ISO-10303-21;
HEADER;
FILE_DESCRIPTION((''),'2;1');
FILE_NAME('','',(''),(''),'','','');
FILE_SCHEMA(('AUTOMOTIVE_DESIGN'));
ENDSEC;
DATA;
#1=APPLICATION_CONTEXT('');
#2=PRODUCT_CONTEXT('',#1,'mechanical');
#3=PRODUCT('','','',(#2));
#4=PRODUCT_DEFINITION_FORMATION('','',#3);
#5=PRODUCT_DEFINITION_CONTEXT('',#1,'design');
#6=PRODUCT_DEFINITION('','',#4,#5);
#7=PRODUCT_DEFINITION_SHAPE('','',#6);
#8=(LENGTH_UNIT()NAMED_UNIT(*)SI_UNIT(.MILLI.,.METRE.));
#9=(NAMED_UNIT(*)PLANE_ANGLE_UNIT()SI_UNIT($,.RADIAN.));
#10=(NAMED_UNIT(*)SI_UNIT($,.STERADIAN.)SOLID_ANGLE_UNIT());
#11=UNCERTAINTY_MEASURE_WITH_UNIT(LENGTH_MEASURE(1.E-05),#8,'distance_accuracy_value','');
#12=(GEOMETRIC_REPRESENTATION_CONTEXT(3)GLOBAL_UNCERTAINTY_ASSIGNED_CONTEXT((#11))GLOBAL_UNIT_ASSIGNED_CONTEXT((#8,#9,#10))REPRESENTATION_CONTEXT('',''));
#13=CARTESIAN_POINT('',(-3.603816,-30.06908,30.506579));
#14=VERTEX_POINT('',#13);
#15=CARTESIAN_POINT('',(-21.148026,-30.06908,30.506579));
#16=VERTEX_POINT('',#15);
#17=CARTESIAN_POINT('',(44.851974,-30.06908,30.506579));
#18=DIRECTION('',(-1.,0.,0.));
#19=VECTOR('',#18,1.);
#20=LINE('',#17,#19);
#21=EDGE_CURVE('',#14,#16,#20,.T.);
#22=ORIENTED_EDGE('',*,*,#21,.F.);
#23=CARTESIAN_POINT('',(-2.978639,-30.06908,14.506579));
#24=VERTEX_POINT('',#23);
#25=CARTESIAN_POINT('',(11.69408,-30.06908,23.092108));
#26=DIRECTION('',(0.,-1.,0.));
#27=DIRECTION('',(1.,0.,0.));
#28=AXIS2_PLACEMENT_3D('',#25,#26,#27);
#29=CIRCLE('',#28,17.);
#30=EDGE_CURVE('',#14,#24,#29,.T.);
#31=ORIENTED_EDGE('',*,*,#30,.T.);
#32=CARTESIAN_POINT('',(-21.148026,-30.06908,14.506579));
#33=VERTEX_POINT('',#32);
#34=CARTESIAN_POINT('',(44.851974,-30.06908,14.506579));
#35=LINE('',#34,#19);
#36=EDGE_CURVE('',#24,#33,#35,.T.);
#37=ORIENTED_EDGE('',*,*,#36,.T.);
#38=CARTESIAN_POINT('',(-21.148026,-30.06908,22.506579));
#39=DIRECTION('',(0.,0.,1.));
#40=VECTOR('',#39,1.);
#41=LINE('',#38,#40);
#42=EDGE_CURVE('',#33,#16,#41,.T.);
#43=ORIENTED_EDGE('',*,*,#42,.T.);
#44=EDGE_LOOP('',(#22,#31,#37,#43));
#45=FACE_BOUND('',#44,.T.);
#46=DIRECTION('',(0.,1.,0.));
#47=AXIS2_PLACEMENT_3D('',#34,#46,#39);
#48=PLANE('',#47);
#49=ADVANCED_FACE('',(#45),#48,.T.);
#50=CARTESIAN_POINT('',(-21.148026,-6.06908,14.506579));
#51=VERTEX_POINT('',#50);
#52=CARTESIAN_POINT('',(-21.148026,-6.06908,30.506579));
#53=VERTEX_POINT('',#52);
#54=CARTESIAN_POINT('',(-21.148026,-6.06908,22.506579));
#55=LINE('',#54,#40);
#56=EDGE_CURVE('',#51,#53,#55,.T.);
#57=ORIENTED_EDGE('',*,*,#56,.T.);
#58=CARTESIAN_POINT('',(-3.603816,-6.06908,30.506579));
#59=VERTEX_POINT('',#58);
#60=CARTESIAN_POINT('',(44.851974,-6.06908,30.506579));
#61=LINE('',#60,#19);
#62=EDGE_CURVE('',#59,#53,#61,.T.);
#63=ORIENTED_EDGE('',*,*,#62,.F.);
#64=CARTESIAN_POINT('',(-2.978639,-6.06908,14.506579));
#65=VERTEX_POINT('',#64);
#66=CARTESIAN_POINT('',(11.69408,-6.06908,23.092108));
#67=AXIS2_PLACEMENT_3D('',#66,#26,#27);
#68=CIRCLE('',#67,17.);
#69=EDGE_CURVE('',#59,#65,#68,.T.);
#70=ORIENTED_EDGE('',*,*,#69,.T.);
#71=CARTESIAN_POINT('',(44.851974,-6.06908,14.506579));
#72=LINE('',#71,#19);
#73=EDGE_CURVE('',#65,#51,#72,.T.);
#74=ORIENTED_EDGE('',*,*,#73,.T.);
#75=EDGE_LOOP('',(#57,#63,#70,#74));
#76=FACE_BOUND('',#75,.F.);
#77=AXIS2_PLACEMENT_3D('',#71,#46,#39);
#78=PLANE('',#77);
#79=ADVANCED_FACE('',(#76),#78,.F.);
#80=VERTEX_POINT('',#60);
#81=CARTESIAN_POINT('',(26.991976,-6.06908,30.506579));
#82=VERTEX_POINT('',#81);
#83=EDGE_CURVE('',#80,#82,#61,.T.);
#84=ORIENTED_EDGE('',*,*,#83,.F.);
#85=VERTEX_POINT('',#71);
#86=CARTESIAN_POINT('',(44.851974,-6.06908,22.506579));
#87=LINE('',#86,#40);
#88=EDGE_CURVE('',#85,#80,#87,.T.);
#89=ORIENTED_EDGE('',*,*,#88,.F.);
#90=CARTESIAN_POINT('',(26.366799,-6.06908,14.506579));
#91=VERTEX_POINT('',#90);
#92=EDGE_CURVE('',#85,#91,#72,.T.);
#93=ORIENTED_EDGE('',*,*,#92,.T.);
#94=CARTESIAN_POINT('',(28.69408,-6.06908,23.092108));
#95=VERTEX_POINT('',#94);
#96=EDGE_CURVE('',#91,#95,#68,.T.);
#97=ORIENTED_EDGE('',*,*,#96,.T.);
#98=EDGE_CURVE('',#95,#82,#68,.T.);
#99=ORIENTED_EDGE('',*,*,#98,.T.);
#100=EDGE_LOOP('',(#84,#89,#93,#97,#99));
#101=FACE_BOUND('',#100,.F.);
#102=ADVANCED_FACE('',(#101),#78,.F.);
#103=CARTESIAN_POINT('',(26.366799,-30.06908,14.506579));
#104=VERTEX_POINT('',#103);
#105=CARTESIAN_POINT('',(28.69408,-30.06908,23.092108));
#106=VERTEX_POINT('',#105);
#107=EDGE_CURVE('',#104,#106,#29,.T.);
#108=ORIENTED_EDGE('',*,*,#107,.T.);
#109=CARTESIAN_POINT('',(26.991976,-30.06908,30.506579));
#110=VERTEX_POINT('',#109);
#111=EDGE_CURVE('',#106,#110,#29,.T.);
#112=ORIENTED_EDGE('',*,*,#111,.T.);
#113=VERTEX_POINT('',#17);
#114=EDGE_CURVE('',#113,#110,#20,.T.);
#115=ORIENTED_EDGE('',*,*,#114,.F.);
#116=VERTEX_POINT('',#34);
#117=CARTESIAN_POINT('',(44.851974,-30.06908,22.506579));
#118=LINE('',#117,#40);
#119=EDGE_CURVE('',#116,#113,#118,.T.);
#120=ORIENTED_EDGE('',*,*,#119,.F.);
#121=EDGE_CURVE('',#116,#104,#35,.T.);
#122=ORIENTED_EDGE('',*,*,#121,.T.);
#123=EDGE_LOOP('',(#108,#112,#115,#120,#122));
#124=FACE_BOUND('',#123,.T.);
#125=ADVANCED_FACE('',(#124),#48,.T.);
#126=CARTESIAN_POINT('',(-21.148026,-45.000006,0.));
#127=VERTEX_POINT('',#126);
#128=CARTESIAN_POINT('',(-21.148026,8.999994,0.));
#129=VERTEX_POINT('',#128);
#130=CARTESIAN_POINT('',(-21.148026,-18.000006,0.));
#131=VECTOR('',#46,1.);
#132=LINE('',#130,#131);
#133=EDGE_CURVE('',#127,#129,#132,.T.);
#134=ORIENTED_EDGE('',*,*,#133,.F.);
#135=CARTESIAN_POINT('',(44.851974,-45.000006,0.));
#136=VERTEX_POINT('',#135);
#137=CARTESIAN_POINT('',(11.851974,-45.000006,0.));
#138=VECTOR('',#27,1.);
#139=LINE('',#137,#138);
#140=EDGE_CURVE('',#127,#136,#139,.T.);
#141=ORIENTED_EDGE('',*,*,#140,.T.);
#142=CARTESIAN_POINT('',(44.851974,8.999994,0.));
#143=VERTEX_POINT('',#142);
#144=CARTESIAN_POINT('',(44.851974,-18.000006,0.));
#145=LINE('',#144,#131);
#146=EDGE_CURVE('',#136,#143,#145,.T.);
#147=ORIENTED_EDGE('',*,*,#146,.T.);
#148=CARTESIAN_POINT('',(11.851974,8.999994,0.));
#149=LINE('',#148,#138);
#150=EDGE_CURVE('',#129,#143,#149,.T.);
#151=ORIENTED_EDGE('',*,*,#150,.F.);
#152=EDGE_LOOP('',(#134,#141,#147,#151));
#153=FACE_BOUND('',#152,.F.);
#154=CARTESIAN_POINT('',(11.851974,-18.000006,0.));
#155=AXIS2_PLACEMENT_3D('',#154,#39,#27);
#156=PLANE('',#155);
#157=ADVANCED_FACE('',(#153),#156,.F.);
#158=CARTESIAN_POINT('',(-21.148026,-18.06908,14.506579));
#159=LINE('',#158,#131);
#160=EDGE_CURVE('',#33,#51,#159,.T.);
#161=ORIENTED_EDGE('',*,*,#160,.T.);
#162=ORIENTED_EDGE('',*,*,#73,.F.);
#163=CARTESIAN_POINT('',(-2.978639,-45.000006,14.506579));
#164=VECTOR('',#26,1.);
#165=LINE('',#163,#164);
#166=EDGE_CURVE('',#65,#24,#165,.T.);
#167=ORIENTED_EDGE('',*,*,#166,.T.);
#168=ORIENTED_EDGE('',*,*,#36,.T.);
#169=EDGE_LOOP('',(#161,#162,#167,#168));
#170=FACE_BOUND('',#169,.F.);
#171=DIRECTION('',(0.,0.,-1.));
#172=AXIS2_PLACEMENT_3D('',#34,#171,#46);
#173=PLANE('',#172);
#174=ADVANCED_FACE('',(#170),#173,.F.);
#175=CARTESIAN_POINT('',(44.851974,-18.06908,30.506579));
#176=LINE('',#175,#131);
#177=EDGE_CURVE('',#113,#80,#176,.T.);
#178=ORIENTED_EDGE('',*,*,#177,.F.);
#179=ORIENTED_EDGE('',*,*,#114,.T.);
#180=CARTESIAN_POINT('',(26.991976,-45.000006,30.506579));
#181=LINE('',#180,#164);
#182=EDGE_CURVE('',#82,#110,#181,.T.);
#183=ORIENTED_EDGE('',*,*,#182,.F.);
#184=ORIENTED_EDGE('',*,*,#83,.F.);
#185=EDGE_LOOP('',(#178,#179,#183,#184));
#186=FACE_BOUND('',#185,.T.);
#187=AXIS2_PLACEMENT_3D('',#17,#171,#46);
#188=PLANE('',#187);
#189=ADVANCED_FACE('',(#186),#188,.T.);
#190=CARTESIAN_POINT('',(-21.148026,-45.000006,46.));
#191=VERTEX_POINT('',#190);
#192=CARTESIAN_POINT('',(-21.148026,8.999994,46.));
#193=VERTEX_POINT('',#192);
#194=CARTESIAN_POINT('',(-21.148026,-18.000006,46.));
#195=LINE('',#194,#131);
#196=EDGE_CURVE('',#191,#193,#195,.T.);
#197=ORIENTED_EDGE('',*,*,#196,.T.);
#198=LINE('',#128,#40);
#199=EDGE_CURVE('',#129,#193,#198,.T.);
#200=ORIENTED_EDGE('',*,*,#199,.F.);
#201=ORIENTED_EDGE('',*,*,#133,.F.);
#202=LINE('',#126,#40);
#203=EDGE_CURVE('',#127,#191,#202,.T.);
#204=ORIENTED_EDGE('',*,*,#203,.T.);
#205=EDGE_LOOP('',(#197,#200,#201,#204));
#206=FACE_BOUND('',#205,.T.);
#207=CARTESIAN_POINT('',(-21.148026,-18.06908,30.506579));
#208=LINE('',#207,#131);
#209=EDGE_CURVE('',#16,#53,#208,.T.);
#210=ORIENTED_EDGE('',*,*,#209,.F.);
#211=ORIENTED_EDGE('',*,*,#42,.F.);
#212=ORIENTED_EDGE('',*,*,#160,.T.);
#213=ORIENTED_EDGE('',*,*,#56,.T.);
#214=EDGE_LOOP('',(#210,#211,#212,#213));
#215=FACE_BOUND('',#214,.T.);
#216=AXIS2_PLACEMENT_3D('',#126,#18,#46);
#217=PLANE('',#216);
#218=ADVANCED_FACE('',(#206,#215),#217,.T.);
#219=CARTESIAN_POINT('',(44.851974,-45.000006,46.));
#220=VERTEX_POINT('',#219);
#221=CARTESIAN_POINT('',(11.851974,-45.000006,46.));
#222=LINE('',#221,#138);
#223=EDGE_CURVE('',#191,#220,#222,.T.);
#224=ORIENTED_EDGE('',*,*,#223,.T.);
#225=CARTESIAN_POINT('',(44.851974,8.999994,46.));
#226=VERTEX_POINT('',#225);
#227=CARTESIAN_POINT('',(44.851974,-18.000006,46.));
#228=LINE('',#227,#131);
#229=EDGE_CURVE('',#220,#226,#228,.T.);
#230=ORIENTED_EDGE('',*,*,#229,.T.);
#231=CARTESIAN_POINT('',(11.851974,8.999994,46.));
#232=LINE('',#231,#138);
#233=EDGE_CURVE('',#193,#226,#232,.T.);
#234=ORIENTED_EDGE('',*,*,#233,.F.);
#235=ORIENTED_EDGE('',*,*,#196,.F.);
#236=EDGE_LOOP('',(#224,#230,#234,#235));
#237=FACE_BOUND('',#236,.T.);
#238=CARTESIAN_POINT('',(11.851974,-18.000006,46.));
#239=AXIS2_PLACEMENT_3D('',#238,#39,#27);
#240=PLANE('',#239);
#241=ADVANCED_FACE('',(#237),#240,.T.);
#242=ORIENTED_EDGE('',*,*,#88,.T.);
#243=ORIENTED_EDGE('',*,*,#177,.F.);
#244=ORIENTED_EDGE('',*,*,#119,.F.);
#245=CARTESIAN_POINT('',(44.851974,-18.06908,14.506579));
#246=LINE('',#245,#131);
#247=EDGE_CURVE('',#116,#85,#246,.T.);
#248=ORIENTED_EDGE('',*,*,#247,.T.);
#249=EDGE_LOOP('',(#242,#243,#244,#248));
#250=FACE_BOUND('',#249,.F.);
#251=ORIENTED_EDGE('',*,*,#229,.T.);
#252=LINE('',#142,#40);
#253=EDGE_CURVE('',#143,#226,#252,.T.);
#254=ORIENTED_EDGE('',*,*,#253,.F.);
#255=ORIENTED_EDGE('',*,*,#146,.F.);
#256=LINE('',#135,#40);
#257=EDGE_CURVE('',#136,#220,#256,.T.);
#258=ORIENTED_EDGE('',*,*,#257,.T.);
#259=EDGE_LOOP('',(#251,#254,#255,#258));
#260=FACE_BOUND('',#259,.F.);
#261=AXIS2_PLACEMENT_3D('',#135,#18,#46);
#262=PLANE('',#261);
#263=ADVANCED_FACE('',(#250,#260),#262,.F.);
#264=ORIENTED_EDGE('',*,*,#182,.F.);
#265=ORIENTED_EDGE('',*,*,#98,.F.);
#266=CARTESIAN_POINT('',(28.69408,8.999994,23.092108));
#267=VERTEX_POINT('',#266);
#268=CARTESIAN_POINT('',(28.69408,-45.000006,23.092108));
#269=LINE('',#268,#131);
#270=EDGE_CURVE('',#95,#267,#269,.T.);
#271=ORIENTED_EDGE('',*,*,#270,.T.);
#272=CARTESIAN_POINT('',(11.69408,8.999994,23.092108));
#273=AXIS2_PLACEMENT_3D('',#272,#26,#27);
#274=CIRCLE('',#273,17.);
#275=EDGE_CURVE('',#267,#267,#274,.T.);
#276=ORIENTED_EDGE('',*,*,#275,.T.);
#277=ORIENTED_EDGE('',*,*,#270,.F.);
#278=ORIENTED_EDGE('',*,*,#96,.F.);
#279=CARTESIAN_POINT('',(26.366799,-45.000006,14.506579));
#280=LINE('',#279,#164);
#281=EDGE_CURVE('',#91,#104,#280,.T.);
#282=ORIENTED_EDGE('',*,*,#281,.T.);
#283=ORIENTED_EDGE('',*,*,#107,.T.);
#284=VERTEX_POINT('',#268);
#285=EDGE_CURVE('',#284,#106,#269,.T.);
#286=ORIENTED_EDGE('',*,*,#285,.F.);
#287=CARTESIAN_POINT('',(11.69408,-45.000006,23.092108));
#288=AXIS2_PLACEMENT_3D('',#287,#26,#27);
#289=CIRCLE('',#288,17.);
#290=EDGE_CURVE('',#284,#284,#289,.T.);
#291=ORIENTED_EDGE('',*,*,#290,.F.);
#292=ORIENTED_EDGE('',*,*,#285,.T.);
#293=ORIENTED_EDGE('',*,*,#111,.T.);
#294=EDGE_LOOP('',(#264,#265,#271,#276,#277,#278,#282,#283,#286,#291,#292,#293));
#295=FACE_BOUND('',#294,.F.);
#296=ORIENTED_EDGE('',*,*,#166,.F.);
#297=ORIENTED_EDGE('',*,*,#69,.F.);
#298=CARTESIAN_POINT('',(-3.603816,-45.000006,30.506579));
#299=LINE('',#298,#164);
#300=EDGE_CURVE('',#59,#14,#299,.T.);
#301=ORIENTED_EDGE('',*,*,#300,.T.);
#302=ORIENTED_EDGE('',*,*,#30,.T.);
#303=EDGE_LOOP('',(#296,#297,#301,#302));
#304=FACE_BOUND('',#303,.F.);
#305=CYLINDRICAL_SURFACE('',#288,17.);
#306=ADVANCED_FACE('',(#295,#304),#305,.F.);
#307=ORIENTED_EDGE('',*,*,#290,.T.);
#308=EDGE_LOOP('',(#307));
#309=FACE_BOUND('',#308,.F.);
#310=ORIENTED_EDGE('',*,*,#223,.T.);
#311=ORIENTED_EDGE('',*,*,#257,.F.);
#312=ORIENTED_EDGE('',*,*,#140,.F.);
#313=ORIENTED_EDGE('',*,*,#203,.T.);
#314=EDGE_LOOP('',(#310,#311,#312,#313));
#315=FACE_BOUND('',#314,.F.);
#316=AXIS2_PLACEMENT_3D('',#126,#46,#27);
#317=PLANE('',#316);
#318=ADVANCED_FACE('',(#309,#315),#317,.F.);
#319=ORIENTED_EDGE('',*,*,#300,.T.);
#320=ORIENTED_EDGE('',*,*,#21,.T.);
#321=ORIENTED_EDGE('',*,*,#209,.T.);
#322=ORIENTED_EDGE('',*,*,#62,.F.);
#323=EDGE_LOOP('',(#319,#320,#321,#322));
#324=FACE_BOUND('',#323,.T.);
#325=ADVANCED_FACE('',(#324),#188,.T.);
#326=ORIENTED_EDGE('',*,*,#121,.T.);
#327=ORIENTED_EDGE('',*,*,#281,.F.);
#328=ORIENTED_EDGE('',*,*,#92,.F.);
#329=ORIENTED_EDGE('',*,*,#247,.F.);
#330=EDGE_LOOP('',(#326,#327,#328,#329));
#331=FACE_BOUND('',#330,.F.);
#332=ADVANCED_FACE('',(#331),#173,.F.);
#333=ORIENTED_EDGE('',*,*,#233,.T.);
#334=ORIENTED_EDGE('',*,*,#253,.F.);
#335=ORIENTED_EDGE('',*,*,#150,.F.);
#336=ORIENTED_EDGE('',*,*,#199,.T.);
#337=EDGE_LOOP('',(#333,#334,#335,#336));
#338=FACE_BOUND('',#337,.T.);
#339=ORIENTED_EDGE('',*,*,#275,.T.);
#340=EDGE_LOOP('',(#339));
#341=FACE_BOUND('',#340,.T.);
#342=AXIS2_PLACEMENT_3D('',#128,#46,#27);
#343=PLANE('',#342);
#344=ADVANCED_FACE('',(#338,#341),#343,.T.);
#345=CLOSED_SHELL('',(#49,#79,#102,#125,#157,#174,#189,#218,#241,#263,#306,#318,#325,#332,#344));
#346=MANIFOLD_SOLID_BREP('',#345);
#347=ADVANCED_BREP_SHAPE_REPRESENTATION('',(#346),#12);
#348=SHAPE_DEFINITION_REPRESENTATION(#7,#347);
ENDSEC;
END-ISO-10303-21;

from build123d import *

# Parameters (mm, degrees)
F0_W     = 66
F0_H     = 54
F1_DEPTH = 46
F2_R     = 17
F3_DEPTH = 54
F4_W     = 24
F4_H     = 16
F5_DEPTH = 66


with BuildPart() as f1:
    # F0 (on Top) → F1 (new body)
    with BuildSketch(Plane.XY):
        with Locations((11.851974, -18.000006)):
            Rectangle(F0_W, F0_H)
    extrude(amount=F1_DEPTH)

    # F2 (on face) → F3 (cut)
    with BuildSketch(Plane.XZ.offset(45.000006)):
        with Locations((11.69408, 23.092108)):
            Circle(F2_R)
    extrude(amount=-F3_DEPTH, mode=Mode.SUBTRACT)

    # F4 (on face) → F5 (cut)
    with BuildSketch(Plane.YZ.offset(44.851974)):
        with Locations((-18.06908, 22.506579)):
            Rectangle(F4_W, F4_H)
    extrude(amount=-F5_DEPTH, mode=Mode.SUBTRACT)


solid = f1.part
